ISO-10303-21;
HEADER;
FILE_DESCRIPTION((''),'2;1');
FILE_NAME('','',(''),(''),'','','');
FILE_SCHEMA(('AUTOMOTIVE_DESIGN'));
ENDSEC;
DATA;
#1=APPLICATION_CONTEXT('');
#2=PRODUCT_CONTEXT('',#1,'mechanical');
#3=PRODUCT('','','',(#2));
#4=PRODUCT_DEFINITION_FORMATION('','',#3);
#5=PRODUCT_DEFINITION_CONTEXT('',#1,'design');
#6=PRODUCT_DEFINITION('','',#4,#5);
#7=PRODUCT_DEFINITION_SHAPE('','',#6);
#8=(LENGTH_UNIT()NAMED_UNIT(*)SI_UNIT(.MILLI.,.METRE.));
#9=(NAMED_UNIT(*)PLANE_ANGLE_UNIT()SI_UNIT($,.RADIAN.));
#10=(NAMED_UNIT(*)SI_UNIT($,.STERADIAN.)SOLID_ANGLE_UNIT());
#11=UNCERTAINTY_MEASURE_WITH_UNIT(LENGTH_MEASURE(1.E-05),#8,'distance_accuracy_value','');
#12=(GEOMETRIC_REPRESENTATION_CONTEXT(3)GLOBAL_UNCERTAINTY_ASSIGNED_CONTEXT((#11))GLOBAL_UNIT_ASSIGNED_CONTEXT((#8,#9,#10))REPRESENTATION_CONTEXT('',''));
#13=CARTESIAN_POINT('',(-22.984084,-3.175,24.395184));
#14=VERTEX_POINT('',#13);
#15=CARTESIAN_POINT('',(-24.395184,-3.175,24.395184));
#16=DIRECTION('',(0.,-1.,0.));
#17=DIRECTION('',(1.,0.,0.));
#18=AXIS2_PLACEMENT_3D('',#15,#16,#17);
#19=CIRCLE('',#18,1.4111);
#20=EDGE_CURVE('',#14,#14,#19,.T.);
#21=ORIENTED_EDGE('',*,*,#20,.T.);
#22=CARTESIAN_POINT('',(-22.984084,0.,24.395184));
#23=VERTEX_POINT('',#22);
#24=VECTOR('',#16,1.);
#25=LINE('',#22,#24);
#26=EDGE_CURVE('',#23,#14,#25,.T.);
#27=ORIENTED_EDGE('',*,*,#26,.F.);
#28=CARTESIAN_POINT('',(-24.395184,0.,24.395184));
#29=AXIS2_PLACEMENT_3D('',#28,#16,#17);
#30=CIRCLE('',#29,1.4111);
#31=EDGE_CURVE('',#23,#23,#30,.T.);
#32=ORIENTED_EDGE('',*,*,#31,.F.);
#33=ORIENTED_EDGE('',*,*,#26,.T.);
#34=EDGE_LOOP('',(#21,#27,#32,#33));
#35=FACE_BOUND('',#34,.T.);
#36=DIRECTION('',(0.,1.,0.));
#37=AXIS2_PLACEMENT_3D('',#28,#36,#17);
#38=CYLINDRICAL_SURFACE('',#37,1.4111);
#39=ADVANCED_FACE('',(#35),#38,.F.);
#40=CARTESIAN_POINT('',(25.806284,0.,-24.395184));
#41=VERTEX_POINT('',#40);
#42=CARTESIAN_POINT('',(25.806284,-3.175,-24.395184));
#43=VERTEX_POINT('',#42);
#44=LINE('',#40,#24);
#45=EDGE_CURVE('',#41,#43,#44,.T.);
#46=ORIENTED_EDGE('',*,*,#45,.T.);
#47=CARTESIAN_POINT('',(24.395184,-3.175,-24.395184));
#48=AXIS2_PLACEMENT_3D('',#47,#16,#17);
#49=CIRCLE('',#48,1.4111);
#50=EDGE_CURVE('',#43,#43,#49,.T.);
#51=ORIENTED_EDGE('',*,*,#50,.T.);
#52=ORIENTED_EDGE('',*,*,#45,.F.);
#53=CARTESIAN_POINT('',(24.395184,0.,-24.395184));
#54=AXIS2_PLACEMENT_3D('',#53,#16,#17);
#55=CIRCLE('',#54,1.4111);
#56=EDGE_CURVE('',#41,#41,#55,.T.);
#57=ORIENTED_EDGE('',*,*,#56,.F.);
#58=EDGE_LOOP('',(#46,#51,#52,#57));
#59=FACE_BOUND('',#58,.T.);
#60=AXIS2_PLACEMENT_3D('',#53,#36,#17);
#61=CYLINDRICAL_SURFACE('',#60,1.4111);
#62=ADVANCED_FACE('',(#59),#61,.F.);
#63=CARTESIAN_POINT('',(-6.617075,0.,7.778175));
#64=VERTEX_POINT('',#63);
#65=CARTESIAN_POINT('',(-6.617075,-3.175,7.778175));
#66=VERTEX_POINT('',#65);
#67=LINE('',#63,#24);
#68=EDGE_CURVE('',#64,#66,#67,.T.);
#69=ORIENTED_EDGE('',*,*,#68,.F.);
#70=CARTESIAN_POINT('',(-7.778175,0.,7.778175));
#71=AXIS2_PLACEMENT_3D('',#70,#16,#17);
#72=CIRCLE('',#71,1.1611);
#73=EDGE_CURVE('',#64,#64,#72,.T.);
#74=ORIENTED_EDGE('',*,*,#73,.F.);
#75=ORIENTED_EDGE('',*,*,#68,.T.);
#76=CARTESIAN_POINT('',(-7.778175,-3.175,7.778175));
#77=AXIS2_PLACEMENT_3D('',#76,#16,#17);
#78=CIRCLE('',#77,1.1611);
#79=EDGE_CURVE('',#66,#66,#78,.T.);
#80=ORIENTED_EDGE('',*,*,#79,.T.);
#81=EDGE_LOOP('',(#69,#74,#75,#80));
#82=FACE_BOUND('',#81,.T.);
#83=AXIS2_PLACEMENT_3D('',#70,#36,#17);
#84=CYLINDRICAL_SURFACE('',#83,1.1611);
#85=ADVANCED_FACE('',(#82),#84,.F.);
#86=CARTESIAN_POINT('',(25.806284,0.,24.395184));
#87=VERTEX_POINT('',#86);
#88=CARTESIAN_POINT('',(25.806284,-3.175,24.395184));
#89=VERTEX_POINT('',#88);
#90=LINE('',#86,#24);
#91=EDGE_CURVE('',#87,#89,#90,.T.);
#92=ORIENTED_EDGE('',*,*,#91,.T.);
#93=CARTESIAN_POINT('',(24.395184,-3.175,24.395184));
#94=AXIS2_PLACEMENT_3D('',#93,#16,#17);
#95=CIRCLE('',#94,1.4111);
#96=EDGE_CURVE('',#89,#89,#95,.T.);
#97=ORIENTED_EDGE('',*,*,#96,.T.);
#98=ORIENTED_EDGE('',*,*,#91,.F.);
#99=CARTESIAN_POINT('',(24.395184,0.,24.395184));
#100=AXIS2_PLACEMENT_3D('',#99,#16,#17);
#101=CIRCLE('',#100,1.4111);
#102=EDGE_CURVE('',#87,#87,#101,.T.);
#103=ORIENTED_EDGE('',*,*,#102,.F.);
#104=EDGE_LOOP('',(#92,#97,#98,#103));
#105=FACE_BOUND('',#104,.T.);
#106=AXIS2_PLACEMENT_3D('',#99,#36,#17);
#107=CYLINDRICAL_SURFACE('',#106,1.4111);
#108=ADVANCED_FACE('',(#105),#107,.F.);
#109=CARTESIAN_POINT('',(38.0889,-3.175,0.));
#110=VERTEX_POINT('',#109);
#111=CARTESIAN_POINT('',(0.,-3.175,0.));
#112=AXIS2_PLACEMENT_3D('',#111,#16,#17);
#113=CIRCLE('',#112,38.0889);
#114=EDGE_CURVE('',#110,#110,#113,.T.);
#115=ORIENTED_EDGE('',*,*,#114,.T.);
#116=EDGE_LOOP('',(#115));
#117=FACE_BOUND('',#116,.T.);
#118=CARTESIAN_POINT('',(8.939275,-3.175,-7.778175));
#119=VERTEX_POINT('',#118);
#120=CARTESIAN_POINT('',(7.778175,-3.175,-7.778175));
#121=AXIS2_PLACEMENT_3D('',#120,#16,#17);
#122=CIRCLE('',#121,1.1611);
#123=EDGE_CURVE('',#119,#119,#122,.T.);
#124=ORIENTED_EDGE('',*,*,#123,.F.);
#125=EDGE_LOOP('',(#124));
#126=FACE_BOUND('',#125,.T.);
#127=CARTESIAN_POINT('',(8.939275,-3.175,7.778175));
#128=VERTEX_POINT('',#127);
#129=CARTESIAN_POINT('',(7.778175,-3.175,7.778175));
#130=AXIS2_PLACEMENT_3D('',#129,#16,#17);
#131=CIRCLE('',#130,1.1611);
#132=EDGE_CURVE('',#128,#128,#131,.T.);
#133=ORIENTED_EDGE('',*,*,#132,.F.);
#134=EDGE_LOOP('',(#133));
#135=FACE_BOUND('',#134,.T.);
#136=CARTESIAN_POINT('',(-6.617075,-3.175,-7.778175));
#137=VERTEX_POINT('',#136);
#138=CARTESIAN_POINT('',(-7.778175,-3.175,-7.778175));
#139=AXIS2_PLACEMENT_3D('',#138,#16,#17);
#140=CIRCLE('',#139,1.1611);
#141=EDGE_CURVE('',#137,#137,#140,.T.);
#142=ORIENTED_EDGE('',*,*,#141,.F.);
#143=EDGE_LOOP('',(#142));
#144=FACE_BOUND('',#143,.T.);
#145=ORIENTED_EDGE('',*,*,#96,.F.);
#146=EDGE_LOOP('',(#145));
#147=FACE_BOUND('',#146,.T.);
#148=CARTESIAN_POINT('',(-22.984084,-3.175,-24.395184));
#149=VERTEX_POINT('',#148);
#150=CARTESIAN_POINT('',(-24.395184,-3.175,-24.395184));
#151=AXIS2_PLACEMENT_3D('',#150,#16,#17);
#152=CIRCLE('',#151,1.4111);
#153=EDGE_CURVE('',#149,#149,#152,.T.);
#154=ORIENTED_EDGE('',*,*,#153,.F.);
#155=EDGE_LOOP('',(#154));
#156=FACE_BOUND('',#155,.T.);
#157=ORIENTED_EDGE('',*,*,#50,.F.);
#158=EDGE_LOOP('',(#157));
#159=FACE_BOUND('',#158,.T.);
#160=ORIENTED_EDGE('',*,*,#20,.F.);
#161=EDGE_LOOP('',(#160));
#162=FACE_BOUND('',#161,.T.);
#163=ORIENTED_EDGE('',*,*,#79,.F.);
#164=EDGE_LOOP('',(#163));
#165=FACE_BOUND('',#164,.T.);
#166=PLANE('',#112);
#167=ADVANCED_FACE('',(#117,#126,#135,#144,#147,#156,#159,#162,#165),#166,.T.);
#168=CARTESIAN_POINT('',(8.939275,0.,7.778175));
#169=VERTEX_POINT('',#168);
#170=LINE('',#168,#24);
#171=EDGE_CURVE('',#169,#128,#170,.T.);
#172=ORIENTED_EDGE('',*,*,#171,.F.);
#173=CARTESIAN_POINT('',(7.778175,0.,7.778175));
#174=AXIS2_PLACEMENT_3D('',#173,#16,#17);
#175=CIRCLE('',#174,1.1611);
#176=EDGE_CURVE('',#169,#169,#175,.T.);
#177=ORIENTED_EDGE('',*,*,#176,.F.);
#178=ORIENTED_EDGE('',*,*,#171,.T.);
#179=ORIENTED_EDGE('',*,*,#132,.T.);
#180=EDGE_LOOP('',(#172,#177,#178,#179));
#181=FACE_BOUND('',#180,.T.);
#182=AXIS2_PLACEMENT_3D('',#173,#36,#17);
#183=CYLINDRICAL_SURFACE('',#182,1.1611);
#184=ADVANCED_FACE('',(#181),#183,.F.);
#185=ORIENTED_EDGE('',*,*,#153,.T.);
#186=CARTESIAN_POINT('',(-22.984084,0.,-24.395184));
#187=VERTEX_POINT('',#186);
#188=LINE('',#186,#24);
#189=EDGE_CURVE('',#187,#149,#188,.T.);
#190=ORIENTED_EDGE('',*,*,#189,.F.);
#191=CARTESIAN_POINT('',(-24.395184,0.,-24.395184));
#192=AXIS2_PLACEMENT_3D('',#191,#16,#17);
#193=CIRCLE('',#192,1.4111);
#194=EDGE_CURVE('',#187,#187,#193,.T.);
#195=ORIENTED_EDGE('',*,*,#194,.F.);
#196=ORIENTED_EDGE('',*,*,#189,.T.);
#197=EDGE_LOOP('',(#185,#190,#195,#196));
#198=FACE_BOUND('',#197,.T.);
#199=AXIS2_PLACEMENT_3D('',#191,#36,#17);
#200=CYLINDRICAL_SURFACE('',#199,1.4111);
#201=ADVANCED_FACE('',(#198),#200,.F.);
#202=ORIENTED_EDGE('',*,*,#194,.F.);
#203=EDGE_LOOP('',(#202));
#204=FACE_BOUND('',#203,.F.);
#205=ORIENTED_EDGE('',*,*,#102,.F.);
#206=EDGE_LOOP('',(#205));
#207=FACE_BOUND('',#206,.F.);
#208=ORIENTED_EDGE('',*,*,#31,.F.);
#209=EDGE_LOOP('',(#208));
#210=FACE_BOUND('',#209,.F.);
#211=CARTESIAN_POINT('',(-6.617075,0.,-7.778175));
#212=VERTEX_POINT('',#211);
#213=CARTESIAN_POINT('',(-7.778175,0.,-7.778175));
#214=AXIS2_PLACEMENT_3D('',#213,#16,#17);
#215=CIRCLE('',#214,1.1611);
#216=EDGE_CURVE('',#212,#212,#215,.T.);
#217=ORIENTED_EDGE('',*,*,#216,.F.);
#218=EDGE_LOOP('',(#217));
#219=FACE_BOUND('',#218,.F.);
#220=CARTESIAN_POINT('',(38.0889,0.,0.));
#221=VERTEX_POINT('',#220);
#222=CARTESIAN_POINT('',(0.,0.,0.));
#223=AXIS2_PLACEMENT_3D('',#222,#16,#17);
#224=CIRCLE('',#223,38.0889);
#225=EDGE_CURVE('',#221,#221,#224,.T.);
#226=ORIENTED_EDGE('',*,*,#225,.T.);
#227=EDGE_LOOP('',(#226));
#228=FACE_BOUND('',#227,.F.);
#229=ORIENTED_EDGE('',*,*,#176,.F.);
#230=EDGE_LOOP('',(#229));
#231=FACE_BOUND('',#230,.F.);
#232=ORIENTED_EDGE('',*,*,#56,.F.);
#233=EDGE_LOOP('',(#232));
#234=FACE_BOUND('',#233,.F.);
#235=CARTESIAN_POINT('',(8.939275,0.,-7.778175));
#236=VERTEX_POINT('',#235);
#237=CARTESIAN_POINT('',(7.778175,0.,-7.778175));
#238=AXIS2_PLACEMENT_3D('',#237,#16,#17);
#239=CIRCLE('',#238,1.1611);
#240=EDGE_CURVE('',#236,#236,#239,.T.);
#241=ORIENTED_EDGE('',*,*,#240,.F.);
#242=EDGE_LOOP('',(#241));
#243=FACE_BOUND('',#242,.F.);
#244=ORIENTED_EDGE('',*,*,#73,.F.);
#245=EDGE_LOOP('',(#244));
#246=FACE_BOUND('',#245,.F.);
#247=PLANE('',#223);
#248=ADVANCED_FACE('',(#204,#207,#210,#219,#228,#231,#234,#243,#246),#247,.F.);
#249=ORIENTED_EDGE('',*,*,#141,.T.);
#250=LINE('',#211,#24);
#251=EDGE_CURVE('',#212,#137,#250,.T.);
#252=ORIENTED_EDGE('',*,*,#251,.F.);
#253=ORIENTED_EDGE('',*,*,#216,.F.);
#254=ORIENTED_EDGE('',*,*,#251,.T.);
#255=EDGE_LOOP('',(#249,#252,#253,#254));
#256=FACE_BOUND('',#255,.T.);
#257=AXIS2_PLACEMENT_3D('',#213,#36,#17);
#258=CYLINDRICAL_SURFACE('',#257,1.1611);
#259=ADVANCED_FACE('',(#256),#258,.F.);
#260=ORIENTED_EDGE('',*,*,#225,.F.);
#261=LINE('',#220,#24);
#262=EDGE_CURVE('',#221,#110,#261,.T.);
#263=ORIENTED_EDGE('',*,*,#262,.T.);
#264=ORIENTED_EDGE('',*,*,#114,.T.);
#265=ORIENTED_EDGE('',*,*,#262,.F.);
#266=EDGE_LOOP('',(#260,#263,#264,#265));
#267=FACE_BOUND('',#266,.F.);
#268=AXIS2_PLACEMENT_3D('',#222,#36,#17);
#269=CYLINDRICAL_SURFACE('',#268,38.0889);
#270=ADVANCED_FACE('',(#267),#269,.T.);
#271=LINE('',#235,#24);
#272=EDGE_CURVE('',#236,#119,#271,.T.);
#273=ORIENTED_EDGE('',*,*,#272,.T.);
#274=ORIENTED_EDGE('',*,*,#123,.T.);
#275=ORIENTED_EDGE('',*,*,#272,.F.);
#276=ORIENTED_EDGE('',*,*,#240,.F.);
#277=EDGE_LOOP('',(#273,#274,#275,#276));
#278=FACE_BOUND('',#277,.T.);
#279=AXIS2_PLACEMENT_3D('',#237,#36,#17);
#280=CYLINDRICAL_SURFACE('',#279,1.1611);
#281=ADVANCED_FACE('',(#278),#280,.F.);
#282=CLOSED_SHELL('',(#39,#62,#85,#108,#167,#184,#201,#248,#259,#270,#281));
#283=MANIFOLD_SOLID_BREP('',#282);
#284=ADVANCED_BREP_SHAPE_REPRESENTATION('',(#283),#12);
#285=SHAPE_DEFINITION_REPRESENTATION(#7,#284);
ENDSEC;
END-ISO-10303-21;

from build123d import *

# Parameters (mm, degrees)
F0_R     = 38.0889
F0_R_2   = 1.4111
F0_R_3   = 1.1611
F1_DEPTH = 3.175


with BuildPart() as f1:
    # F0 (on Front) → F1 (new body)
    with BuildSketch(Plane.XZ):
        Circle(F0_R)
        with Locations((-24.395184, -24.395184)):
            Circle(F0_R_2, mode=Mode.SUBTRACT)
        with Locations((-7.778175, -7.778175)):
            Circle(F0_R_3, mode=Mode.SUBTRACT)
        with Locations((24.395184, -24.395184)):
            Circle(F0_R_2, mode=Mode.SUBTRACT)
        with Locations((7.778175, -7.778175)):
            Circle(F0_R_3, mode=Mode.SUBTRACT)
        with Locations((-7.778175, 7.778175)):
            Circle(F0_R_3, mode=Mode.SUBTRACT)
        with Locations((-24.395184, 24.395184)):
            Circle(F0_R_2, mode=Mode.SUBTRACT)
        with Locations((7.778175, 7.778175)):
            Circle(F0_R_3, mode=Mode.SUBTRACT)
        with Locations((24.395184, 24.395184)):
            Circle(F0_R_2, mode=Mode.SUBTRACT)
    extrude(amount=F1_DEPTH)


solid = f1.part
